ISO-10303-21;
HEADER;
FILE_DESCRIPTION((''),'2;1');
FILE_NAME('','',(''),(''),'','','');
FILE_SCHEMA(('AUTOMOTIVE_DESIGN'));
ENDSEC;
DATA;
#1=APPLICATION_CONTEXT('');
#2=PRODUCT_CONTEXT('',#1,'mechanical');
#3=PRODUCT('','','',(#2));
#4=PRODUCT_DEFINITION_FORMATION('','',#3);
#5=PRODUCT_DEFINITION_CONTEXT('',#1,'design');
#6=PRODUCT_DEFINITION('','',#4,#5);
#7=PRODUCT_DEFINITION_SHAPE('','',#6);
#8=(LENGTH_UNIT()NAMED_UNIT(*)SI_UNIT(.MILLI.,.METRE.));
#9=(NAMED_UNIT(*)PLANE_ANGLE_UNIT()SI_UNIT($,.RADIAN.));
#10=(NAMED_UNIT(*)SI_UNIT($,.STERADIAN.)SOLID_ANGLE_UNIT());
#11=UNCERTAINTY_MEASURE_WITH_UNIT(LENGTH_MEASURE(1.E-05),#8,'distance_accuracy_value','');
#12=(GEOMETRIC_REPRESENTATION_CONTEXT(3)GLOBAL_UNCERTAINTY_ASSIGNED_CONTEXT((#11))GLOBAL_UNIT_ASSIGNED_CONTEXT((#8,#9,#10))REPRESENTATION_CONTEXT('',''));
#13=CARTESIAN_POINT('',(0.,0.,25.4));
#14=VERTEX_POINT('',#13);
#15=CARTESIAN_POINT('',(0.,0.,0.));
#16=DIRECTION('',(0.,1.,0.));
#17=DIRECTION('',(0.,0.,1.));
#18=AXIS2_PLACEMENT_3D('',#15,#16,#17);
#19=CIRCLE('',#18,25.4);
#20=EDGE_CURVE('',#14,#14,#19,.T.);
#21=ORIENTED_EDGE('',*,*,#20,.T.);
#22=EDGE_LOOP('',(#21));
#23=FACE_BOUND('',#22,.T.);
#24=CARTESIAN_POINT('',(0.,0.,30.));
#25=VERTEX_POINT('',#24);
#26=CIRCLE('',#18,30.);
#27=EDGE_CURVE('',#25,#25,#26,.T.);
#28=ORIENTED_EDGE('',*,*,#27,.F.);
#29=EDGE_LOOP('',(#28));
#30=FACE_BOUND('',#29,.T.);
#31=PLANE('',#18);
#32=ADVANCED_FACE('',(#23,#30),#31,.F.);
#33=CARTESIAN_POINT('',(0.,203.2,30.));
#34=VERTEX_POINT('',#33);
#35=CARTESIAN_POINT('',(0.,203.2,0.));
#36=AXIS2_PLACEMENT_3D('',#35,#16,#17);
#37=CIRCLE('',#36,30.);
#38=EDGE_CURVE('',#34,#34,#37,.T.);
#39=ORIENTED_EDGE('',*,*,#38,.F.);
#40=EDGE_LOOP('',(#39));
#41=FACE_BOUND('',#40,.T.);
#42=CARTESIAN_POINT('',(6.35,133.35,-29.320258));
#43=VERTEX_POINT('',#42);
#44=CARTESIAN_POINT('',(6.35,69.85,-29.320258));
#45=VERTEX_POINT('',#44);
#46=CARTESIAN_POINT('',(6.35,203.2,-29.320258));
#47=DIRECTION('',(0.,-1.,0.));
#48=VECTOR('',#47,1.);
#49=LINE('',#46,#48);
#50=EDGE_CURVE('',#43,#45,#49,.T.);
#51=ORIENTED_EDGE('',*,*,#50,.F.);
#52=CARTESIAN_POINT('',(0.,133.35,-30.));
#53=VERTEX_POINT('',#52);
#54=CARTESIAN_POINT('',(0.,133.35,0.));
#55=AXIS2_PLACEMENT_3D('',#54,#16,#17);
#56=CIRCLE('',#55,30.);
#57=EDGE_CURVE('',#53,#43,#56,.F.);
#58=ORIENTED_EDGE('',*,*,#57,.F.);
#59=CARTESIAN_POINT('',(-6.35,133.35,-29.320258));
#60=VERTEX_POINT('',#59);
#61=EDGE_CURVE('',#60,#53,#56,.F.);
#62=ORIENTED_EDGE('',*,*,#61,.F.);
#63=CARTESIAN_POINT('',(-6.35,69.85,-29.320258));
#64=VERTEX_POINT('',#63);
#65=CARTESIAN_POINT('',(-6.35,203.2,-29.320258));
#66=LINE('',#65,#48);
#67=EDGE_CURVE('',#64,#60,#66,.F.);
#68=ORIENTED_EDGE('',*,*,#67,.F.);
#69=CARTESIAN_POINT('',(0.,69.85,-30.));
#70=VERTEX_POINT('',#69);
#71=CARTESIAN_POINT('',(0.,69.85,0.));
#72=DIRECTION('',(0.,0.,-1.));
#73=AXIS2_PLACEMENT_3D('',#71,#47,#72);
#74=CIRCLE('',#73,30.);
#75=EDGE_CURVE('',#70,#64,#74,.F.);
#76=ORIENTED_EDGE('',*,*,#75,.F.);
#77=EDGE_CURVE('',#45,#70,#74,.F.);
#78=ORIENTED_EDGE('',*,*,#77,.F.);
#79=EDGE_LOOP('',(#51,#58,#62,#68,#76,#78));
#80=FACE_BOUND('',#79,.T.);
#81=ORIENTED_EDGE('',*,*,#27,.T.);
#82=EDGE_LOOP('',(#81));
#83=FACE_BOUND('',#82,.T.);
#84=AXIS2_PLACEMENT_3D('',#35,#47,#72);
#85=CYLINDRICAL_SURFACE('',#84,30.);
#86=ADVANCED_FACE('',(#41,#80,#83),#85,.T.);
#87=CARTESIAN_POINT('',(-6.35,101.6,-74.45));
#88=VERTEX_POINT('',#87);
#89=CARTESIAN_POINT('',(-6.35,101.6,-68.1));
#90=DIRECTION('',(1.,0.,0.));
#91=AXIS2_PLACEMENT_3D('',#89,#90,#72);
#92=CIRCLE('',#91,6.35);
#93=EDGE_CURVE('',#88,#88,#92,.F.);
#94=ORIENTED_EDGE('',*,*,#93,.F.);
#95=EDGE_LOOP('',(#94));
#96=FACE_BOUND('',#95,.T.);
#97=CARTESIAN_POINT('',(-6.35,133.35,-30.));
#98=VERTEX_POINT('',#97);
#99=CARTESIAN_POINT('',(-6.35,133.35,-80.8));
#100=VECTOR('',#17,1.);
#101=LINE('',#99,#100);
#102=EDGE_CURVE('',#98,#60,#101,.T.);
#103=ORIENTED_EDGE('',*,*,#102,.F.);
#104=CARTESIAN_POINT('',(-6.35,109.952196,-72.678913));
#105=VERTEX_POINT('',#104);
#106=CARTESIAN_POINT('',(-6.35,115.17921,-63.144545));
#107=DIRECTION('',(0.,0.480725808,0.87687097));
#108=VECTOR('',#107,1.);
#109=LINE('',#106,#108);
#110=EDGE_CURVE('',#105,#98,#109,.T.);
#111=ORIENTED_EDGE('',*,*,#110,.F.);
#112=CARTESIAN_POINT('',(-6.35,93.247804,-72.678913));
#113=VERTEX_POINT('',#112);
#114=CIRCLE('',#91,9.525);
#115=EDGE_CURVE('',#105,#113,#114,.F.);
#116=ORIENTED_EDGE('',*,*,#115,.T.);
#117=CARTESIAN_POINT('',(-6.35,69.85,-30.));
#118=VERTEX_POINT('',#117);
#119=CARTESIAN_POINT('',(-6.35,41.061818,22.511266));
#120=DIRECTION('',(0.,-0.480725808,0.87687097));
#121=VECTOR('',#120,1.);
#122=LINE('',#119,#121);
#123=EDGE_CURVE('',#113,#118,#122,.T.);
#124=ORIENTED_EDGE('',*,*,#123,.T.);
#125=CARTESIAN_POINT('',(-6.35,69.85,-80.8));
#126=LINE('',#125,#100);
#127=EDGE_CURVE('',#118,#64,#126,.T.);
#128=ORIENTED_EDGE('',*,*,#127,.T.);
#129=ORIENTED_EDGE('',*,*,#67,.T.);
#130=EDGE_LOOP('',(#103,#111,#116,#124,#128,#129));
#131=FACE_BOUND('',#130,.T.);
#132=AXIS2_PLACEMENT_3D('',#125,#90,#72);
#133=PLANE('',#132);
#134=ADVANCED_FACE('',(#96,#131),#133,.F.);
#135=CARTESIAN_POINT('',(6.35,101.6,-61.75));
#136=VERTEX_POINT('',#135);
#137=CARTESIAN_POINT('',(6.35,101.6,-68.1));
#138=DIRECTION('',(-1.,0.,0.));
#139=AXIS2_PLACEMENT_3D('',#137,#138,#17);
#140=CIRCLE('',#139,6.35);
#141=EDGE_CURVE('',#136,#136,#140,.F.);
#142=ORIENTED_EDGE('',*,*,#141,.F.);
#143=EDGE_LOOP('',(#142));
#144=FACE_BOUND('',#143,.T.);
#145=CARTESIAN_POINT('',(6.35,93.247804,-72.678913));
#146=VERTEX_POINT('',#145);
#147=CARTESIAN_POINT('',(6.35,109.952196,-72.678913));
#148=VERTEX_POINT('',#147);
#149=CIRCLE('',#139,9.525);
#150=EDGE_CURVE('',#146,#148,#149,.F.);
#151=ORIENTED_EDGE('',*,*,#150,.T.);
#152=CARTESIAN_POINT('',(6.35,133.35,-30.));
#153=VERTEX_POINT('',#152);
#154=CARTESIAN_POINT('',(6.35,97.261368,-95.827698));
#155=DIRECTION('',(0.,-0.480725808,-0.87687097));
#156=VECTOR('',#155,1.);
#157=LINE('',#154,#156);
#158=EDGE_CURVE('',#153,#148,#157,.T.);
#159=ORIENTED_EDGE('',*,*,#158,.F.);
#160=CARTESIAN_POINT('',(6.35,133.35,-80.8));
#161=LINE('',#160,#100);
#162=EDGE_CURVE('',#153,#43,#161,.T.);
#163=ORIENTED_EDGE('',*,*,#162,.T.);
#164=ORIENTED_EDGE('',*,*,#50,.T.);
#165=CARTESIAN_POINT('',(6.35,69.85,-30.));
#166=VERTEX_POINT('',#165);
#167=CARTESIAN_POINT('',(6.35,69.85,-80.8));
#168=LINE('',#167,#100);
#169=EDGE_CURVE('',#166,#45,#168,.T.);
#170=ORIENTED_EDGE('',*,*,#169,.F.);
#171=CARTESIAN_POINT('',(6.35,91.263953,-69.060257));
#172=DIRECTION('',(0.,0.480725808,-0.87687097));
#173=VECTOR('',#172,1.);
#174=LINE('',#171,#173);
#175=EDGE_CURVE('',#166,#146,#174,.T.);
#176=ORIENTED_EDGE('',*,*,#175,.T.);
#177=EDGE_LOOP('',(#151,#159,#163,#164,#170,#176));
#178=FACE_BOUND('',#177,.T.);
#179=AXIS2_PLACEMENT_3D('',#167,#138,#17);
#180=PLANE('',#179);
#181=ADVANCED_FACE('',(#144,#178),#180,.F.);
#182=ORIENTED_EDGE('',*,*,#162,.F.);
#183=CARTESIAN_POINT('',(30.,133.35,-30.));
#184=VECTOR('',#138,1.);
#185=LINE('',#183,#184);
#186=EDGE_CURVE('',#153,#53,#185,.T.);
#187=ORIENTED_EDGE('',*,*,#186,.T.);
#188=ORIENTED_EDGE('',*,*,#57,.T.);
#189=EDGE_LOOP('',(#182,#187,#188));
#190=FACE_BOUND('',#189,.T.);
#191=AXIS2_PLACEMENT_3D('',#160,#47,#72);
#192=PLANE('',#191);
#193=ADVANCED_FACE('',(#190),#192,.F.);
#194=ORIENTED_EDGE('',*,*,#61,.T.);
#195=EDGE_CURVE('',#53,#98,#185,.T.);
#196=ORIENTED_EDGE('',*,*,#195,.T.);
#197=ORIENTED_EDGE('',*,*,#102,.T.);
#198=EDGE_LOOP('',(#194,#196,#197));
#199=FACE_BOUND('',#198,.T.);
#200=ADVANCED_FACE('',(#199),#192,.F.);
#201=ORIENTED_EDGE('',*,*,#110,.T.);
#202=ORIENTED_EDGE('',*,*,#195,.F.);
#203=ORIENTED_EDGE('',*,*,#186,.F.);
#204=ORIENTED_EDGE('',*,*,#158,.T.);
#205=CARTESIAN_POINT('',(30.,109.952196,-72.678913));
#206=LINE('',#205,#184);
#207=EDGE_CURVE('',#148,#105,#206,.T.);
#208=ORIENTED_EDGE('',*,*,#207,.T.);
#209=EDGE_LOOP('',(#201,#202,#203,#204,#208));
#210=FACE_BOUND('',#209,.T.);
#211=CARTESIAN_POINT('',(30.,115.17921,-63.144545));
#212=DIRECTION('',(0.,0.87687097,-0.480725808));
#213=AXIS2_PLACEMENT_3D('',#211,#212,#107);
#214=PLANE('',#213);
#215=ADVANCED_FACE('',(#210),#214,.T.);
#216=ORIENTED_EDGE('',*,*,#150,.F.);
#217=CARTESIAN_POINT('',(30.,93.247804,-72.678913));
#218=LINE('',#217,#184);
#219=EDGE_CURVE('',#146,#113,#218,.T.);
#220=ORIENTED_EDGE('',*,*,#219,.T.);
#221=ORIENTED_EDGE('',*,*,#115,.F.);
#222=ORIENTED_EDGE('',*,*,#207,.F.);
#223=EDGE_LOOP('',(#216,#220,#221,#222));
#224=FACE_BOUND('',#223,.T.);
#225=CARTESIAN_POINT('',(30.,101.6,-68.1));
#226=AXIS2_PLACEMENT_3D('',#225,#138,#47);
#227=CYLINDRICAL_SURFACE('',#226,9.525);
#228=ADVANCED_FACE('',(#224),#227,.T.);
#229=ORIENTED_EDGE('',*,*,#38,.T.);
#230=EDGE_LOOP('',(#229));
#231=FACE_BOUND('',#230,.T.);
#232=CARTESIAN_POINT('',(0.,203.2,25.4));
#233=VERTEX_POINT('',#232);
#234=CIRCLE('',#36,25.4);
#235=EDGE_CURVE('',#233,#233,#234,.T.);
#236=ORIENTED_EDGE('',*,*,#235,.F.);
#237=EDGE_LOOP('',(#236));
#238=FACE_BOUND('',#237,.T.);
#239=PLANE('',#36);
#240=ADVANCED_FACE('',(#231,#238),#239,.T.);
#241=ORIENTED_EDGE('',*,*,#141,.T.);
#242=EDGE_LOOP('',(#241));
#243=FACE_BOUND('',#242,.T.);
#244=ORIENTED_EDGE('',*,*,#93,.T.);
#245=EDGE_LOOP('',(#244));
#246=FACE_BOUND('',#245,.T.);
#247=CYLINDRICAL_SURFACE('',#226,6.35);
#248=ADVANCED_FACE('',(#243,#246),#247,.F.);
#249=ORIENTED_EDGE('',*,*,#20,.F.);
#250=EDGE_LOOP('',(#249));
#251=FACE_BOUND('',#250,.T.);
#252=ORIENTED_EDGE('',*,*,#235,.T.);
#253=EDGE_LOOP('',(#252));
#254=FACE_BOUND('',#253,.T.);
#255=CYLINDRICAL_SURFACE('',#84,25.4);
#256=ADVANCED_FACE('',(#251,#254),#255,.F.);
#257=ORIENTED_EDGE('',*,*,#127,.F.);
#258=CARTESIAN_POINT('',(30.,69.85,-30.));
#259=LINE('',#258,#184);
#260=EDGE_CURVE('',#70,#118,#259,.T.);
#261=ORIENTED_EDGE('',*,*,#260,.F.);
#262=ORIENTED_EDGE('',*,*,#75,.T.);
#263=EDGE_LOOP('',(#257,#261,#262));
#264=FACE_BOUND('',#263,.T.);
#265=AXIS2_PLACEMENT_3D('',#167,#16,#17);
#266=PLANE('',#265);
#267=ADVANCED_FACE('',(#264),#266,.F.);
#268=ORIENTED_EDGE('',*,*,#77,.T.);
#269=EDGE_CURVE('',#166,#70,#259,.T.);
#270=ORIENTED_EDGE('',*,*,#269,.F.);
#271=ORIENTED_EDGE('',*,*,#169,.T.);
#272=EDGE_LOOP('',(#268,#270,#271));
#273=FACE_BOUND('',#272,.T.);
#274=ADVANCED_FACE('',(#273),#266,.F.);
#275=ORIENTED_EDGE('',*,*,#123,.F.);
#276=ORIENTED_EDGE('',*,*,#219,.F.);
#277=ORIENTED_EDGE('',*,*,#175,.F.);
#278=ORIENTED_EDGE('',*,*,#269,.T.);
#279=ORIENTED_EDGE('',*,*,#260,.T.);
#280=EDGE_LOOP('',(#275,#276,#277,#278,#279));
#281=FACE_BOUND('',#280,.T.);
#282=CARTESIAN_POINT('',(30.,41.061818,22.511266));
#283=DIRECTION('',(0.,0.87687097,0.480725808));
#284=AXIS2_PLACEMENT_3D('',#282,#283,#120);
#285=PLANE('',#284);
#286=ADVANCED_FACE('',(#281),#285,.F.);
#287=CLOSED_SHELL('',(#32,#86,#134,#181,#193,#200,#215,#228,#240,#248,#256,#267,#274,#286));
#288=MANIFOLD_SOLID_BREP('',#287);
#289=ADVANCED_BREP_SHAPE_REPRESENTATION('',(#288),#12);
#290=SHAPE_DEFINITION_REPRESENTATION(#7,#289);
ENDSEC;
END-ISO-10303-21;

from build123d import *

# Parameters (mm, degrees)
SKETCH1_R                            = 30
SKETCH1_R_2                          = 25.4
BOSS_EXTRUDE1_DEPTH                  = 203.2
SKETCH2_W                            = 12.7
SKETCH2_H                            = 63.5
BOSS_EXTRUDE2_DEPTH                  = 50.8
BOSS_EXTRUDE2_DIRECTION_2_REACH      = 215.987
BOSS_EXTRUDE2_DIRECTION_2_END_RADIUS = 30
CUT_EXTRUDE3_REACH                   = 223.676
SKETCH3_R                            = 6.35
CUT_EXTRUDE3_DIRECTION_2_DEPTH       = 222.675895171


with BuildPart() as part:
    # Sketch1 → Boss-Extrude1 (new body)
    with BuildSketch(Plane(origin=(0, 0, 0), x_dir=(1, 0, 0), z_dir=(0, 1, 0))):
        with Locations(Location((0, 0, 0), (0, 0, 270))):
            Circle(SKETCH1_R)
        with Locations(Location((0, 0, 0), (0, 0, 270))):
            Circle(SKETCH1_R_2, mode=Mode.SUBTRACT)
    extrude(amount=BOSS_EXTRUDE1_DEPTH)

    # Sketch2 → Boss-Extrude2 (add)
    with BuildSketch(Plane(origin=(0, 0, -30), x_dir=(-1, 0, 0), z_dir=(0, 0, -1))):
        with Locations((0, 101.6)):
            Rectangle(SKETCH2_W, SKETCH2_H)
    extrude(amount=BOSS_EXTRUDE2_DEPTH)

    # Boss-Extrude2 direction 2: up to this cylinder (the profile starts outside it)
    boss_extrude2_direction_2_end = Plane(origin=(0, 101.6, 0), z_dir=(0, -1, 0)) * Cylinder(BOSS_EXTRUDE2_DIRECTION_2_END_RADIUS, 492.974, mode=Mode.PRIVATE)
    # Sketch2 → Boss-Extrude2 direction 2 (add, up to the surface)
    with BuildSketch(Plane(origin=(0, 0, -30), x_dir=(-1, 0, 0), z_dir=(0, 0, -1)), mode=Mode.PRIVATE) as boss_extrude2_direction_2_sk1:
        with Locations((0, 101.6)):
            Rectangle(SKETCH2_W, SKETCH2_H)
    boss_extrude2_direction_2_tool1 = extrude(boss_extrude2_direction_2_sk1.sketch, amount=-BOSS_EXTRUDE2_DIRECTION_2_REACH, mode=Mode.PRIVATE) - boss_extrude2_direction_2_end
    add(boss_extrude2_direction_2_tool1.solids().sort_by_distance((0, 101.6, -30))[0])
    add(boss_extrude2_direction_2_tool1.solids().sort_by_distance((0, 101.6, -30))[1])

    # Sketch3 → Cut-Extrude3 (cut, up to next)
    with BuildSketch(Plane(origin=(6.35, 0, 0), x_dir=(0, 0, -1), z_dir=(1, 0, 0)), mode=Mode.PRIVATE) as cut_extrude3_sk1:
        with BuildLine():
            Line((72.678913322, 93.247804014), (30, 69.85))
            Line((30, 69.85), (80.8, 69.85))
            Line((80.8, 69.85), (80.8, 133.35))
            Line((80.8, 133.35), (30, 133.35))
            Line((30, 133.35), (72.678913322, 109.952195986))
            ThreePointArc((72.678913322, 109.952195986), (76.295723714, 106.453425368), (77.625, 101.6))
            ThreePointArc((77.625, 101.6), (76.295723714, 96.746574632), (72.678913322, 93.247804014))
        make_face()
    cut_extrude3_tool1 = extrude(cut_extrude3_sk1.sketch, amount=-CUT_EXTRUDE3_REACH, mode=Mode.PRIVATE) & part.part
    # Sketch3 → Cut-Extrude3 (cut, up to next)
    with BuildSketch(Plane(origin=(6.35, 0, 0), x_dir=(0, 0, -1), z_dir=(1, 0, 0)), mode=Mode.PRIVATE) as cut_extrude3_sk2:
        with Locations((68.1, 101.6)):
            Circle(SKETCH3_R)
    cut_extrude3_tool2 = extrude(cut_extrude3_sk2.sketch, amount=-CUT_EXTRUDE3_REACH, mode=Mode.PRIVATE) & part.part
    add(cut_extrude3_tool1.solids().sort_by_distance((6.35, 80.835833, -51.730381))[0], mode=Mode.SUBTRACT)
    add(cut_extrude3_tool2.solids().sort_by_distance((6.35, 101.6, -68.1))[0], mode=Mode.SUBTRACT)

    # Sketch3 → Cut-Extrude3 direction 2 (cut)
    with BuildSketch(Plane(origin=(6.35, 0, 0), x_dir=(0, 0, -1), z_dir=(1, 0, 0))):
        with BuildLine():
            Line((72.678913322, 93.247804014), (30, 69.85))
            Line((30, 69.85), (80.8, 69.85))
            Line((80.8, 69.85), (80.8, 133.35))
            Line((80.8, 133.35), (30, 133.35))
            Line((30, 133.35), (72.678913322, 109.952195986))
            ThreePointArc((72.678913322, 109.952195986), (76.295723714, 106.453425368), (77.625, 101.6))
            ThreePointArc((77.625, 101.6), (76.295723714, 96.746574632), (72.678913322, 93.247804014))
        make_face()
        with Locations((68.1, 101.6)):
            Circle(SKETCH3_R)
    extrude(amount=CUT_EXTRUDE3_DIRECTION_2_DEPTH, mode=Mode.SUBTRACT)


solid = part.part
